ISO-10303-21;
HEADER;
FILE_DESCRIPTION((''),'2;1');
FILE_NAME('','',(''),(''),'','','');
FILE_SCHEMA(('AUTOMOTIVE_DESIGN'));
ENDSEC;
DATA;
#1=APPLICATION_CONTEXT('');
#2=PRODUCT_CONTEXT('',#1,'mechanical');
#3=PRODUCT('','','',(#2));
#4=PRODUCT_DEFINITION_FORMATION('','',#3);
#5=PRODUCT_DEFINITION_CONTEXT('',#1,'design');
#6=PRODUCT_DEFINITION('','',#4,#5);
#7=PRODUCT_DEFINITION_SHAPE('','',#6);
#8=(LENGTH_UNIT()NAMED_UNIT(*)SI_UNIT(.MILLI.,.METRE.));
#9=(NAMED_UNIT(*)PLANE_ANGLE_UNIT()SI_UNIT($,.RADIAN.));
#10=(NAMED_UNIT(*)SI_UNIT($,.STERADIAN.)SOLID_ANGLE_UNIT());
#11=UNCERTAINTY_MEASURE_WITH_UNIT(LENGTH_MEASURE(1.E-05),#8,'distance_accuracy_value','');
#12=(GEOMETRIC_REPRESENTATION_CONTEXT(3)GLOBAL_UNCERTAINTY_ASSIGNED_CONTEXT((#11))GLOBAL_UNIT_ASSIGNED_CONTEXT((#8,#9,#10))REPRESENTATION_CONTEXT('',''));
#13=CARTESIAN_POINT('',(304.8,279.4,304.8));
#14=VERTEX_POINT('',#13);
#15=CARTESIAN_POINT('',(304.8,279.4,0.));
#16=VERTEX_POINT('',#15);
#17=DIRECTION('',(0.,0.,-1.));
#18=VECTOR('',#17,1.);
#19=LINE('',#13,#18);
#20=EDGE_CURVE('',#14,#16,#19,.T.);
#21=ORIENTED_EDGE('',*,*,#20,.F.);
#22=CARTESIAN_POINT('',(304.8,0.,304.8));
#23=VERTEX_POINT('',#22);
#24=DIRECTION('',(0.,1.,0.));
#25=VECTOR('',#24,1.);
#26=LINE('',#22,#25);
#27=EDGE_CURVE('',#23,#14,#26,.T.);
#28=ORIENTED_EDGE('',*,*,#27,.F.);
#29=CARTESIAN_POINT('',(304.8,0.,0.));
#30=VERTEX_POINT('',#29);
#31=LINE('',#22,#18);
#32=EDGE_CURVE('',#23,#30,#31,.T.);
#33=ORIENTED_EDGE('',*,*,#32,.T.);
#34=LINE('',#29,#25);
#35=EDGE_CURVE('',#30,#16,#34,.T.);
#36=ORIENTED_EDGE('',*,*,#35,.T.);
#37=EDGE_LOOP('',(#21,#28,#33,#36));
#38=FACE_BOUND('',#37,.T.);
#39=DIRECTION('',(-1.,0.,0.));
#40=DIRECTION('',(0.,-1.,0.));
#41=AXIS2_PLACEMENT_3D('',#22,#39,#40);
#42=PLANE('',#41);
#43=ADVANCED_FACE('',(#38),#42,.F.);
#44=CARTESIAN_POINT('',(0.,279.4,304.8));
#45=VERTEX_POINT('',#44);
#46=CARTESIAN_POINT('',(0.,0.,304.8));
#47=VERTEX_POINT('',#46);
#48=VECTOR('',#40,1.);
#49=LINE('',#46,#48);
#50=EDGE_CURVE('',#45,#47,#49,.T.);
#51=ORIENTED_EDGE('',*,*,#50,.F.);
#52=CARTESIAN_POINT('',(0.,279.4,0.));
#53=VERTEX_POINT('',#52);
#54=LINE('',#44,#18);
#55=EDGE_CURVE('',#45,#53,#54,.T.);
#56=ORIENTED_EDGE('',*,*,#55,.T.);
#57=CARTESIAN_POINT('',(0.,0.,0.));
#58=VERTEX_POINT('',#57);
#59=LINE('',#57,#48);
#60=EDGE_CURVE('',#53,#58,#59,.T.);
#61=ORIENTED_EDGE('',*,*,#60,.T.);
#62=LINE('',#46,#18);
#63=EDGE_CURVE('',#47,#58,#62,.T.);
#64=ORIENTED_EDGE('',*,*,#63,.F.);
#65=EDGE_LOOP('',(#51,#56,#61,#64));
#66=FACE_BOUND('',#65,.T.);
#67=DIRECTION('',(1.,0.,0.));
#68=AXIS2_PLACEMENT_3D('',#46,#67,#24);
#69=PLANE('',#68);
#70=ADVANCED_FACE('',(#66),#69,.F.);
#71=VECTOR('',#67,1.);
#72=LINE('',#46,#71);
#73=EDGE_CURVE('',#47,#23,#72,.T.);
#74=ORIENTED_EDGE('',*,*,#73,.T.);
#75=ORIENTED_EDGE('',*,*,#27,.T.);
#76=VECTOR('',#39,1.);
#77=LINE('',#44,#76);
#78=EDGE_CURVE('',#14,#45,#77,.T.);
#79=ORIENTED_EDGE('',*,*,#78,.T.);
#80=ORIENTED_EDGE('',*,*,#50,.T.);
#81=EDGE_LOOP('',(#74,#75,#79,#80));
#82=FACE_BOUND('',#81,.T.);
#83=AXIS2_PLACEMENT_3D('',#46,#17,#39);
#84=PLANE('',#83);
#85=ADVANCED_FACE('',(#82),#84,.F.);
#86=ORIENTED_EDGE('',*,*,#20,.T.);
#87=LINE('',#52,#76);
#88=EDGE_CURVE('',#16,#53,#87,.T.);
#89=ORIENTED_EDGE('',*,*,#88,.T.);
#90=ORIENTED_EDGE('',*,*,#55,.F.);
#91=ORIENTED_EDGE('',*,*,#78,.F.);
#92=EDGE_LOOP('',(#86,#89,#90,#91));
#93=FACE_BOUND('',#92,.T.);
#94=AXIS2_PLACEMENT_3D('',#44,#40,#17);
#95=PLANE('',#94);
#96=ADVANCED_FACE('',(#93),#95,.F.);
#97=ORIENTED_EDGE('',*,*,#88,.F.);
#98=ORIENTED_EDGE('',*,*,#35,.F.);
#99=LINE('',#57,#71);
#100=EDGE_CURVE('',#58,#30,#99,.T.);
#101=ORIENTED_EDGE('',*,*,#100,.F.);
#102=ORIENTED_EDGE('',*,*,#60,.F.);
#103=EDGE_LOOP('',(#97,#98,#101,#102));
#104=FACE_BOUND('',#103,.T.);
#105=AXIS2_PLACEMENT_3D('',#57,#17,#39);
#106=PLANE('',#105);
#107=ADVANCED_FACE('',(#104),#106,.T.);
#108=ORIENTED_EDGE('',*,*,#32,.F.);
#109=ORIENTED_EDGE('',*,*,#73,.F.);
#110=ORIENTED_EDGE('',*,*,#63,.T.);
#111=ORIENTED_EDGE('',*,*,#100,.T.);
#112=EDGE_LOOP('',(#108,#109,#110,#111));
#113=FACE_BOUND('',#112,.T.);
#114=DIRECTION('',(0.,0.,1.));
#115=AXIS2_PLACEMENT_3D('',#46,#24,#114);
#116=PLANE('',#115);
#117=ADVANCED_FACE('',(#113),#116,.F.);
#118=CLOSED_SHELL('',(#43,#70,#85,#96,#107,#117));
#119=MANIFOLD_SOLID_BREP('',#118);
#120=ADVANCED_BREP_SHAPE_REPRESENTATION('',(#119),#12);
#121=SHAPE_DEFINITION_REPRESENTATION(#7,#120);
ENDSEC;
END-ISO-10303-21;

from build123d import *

# Parameters (mm, degrees)
SKETCH1_W           = 304.8
SKETCH1_H           = 279.4
BOSS_EXTRUDE1_DEPTH = 304.8


with BuildPart() as part:
    # Sketch1 → Boss-Extrude1 (new body)
    with BuildSketch(Plane.XY):
        with Locations((152.4, 139.7)):
            Rectangle(SKETCH1_W, SKETCH1_H)
    extrude(amount=BOSS_EXTRUDE1_DEPTH)


solid = part.part
